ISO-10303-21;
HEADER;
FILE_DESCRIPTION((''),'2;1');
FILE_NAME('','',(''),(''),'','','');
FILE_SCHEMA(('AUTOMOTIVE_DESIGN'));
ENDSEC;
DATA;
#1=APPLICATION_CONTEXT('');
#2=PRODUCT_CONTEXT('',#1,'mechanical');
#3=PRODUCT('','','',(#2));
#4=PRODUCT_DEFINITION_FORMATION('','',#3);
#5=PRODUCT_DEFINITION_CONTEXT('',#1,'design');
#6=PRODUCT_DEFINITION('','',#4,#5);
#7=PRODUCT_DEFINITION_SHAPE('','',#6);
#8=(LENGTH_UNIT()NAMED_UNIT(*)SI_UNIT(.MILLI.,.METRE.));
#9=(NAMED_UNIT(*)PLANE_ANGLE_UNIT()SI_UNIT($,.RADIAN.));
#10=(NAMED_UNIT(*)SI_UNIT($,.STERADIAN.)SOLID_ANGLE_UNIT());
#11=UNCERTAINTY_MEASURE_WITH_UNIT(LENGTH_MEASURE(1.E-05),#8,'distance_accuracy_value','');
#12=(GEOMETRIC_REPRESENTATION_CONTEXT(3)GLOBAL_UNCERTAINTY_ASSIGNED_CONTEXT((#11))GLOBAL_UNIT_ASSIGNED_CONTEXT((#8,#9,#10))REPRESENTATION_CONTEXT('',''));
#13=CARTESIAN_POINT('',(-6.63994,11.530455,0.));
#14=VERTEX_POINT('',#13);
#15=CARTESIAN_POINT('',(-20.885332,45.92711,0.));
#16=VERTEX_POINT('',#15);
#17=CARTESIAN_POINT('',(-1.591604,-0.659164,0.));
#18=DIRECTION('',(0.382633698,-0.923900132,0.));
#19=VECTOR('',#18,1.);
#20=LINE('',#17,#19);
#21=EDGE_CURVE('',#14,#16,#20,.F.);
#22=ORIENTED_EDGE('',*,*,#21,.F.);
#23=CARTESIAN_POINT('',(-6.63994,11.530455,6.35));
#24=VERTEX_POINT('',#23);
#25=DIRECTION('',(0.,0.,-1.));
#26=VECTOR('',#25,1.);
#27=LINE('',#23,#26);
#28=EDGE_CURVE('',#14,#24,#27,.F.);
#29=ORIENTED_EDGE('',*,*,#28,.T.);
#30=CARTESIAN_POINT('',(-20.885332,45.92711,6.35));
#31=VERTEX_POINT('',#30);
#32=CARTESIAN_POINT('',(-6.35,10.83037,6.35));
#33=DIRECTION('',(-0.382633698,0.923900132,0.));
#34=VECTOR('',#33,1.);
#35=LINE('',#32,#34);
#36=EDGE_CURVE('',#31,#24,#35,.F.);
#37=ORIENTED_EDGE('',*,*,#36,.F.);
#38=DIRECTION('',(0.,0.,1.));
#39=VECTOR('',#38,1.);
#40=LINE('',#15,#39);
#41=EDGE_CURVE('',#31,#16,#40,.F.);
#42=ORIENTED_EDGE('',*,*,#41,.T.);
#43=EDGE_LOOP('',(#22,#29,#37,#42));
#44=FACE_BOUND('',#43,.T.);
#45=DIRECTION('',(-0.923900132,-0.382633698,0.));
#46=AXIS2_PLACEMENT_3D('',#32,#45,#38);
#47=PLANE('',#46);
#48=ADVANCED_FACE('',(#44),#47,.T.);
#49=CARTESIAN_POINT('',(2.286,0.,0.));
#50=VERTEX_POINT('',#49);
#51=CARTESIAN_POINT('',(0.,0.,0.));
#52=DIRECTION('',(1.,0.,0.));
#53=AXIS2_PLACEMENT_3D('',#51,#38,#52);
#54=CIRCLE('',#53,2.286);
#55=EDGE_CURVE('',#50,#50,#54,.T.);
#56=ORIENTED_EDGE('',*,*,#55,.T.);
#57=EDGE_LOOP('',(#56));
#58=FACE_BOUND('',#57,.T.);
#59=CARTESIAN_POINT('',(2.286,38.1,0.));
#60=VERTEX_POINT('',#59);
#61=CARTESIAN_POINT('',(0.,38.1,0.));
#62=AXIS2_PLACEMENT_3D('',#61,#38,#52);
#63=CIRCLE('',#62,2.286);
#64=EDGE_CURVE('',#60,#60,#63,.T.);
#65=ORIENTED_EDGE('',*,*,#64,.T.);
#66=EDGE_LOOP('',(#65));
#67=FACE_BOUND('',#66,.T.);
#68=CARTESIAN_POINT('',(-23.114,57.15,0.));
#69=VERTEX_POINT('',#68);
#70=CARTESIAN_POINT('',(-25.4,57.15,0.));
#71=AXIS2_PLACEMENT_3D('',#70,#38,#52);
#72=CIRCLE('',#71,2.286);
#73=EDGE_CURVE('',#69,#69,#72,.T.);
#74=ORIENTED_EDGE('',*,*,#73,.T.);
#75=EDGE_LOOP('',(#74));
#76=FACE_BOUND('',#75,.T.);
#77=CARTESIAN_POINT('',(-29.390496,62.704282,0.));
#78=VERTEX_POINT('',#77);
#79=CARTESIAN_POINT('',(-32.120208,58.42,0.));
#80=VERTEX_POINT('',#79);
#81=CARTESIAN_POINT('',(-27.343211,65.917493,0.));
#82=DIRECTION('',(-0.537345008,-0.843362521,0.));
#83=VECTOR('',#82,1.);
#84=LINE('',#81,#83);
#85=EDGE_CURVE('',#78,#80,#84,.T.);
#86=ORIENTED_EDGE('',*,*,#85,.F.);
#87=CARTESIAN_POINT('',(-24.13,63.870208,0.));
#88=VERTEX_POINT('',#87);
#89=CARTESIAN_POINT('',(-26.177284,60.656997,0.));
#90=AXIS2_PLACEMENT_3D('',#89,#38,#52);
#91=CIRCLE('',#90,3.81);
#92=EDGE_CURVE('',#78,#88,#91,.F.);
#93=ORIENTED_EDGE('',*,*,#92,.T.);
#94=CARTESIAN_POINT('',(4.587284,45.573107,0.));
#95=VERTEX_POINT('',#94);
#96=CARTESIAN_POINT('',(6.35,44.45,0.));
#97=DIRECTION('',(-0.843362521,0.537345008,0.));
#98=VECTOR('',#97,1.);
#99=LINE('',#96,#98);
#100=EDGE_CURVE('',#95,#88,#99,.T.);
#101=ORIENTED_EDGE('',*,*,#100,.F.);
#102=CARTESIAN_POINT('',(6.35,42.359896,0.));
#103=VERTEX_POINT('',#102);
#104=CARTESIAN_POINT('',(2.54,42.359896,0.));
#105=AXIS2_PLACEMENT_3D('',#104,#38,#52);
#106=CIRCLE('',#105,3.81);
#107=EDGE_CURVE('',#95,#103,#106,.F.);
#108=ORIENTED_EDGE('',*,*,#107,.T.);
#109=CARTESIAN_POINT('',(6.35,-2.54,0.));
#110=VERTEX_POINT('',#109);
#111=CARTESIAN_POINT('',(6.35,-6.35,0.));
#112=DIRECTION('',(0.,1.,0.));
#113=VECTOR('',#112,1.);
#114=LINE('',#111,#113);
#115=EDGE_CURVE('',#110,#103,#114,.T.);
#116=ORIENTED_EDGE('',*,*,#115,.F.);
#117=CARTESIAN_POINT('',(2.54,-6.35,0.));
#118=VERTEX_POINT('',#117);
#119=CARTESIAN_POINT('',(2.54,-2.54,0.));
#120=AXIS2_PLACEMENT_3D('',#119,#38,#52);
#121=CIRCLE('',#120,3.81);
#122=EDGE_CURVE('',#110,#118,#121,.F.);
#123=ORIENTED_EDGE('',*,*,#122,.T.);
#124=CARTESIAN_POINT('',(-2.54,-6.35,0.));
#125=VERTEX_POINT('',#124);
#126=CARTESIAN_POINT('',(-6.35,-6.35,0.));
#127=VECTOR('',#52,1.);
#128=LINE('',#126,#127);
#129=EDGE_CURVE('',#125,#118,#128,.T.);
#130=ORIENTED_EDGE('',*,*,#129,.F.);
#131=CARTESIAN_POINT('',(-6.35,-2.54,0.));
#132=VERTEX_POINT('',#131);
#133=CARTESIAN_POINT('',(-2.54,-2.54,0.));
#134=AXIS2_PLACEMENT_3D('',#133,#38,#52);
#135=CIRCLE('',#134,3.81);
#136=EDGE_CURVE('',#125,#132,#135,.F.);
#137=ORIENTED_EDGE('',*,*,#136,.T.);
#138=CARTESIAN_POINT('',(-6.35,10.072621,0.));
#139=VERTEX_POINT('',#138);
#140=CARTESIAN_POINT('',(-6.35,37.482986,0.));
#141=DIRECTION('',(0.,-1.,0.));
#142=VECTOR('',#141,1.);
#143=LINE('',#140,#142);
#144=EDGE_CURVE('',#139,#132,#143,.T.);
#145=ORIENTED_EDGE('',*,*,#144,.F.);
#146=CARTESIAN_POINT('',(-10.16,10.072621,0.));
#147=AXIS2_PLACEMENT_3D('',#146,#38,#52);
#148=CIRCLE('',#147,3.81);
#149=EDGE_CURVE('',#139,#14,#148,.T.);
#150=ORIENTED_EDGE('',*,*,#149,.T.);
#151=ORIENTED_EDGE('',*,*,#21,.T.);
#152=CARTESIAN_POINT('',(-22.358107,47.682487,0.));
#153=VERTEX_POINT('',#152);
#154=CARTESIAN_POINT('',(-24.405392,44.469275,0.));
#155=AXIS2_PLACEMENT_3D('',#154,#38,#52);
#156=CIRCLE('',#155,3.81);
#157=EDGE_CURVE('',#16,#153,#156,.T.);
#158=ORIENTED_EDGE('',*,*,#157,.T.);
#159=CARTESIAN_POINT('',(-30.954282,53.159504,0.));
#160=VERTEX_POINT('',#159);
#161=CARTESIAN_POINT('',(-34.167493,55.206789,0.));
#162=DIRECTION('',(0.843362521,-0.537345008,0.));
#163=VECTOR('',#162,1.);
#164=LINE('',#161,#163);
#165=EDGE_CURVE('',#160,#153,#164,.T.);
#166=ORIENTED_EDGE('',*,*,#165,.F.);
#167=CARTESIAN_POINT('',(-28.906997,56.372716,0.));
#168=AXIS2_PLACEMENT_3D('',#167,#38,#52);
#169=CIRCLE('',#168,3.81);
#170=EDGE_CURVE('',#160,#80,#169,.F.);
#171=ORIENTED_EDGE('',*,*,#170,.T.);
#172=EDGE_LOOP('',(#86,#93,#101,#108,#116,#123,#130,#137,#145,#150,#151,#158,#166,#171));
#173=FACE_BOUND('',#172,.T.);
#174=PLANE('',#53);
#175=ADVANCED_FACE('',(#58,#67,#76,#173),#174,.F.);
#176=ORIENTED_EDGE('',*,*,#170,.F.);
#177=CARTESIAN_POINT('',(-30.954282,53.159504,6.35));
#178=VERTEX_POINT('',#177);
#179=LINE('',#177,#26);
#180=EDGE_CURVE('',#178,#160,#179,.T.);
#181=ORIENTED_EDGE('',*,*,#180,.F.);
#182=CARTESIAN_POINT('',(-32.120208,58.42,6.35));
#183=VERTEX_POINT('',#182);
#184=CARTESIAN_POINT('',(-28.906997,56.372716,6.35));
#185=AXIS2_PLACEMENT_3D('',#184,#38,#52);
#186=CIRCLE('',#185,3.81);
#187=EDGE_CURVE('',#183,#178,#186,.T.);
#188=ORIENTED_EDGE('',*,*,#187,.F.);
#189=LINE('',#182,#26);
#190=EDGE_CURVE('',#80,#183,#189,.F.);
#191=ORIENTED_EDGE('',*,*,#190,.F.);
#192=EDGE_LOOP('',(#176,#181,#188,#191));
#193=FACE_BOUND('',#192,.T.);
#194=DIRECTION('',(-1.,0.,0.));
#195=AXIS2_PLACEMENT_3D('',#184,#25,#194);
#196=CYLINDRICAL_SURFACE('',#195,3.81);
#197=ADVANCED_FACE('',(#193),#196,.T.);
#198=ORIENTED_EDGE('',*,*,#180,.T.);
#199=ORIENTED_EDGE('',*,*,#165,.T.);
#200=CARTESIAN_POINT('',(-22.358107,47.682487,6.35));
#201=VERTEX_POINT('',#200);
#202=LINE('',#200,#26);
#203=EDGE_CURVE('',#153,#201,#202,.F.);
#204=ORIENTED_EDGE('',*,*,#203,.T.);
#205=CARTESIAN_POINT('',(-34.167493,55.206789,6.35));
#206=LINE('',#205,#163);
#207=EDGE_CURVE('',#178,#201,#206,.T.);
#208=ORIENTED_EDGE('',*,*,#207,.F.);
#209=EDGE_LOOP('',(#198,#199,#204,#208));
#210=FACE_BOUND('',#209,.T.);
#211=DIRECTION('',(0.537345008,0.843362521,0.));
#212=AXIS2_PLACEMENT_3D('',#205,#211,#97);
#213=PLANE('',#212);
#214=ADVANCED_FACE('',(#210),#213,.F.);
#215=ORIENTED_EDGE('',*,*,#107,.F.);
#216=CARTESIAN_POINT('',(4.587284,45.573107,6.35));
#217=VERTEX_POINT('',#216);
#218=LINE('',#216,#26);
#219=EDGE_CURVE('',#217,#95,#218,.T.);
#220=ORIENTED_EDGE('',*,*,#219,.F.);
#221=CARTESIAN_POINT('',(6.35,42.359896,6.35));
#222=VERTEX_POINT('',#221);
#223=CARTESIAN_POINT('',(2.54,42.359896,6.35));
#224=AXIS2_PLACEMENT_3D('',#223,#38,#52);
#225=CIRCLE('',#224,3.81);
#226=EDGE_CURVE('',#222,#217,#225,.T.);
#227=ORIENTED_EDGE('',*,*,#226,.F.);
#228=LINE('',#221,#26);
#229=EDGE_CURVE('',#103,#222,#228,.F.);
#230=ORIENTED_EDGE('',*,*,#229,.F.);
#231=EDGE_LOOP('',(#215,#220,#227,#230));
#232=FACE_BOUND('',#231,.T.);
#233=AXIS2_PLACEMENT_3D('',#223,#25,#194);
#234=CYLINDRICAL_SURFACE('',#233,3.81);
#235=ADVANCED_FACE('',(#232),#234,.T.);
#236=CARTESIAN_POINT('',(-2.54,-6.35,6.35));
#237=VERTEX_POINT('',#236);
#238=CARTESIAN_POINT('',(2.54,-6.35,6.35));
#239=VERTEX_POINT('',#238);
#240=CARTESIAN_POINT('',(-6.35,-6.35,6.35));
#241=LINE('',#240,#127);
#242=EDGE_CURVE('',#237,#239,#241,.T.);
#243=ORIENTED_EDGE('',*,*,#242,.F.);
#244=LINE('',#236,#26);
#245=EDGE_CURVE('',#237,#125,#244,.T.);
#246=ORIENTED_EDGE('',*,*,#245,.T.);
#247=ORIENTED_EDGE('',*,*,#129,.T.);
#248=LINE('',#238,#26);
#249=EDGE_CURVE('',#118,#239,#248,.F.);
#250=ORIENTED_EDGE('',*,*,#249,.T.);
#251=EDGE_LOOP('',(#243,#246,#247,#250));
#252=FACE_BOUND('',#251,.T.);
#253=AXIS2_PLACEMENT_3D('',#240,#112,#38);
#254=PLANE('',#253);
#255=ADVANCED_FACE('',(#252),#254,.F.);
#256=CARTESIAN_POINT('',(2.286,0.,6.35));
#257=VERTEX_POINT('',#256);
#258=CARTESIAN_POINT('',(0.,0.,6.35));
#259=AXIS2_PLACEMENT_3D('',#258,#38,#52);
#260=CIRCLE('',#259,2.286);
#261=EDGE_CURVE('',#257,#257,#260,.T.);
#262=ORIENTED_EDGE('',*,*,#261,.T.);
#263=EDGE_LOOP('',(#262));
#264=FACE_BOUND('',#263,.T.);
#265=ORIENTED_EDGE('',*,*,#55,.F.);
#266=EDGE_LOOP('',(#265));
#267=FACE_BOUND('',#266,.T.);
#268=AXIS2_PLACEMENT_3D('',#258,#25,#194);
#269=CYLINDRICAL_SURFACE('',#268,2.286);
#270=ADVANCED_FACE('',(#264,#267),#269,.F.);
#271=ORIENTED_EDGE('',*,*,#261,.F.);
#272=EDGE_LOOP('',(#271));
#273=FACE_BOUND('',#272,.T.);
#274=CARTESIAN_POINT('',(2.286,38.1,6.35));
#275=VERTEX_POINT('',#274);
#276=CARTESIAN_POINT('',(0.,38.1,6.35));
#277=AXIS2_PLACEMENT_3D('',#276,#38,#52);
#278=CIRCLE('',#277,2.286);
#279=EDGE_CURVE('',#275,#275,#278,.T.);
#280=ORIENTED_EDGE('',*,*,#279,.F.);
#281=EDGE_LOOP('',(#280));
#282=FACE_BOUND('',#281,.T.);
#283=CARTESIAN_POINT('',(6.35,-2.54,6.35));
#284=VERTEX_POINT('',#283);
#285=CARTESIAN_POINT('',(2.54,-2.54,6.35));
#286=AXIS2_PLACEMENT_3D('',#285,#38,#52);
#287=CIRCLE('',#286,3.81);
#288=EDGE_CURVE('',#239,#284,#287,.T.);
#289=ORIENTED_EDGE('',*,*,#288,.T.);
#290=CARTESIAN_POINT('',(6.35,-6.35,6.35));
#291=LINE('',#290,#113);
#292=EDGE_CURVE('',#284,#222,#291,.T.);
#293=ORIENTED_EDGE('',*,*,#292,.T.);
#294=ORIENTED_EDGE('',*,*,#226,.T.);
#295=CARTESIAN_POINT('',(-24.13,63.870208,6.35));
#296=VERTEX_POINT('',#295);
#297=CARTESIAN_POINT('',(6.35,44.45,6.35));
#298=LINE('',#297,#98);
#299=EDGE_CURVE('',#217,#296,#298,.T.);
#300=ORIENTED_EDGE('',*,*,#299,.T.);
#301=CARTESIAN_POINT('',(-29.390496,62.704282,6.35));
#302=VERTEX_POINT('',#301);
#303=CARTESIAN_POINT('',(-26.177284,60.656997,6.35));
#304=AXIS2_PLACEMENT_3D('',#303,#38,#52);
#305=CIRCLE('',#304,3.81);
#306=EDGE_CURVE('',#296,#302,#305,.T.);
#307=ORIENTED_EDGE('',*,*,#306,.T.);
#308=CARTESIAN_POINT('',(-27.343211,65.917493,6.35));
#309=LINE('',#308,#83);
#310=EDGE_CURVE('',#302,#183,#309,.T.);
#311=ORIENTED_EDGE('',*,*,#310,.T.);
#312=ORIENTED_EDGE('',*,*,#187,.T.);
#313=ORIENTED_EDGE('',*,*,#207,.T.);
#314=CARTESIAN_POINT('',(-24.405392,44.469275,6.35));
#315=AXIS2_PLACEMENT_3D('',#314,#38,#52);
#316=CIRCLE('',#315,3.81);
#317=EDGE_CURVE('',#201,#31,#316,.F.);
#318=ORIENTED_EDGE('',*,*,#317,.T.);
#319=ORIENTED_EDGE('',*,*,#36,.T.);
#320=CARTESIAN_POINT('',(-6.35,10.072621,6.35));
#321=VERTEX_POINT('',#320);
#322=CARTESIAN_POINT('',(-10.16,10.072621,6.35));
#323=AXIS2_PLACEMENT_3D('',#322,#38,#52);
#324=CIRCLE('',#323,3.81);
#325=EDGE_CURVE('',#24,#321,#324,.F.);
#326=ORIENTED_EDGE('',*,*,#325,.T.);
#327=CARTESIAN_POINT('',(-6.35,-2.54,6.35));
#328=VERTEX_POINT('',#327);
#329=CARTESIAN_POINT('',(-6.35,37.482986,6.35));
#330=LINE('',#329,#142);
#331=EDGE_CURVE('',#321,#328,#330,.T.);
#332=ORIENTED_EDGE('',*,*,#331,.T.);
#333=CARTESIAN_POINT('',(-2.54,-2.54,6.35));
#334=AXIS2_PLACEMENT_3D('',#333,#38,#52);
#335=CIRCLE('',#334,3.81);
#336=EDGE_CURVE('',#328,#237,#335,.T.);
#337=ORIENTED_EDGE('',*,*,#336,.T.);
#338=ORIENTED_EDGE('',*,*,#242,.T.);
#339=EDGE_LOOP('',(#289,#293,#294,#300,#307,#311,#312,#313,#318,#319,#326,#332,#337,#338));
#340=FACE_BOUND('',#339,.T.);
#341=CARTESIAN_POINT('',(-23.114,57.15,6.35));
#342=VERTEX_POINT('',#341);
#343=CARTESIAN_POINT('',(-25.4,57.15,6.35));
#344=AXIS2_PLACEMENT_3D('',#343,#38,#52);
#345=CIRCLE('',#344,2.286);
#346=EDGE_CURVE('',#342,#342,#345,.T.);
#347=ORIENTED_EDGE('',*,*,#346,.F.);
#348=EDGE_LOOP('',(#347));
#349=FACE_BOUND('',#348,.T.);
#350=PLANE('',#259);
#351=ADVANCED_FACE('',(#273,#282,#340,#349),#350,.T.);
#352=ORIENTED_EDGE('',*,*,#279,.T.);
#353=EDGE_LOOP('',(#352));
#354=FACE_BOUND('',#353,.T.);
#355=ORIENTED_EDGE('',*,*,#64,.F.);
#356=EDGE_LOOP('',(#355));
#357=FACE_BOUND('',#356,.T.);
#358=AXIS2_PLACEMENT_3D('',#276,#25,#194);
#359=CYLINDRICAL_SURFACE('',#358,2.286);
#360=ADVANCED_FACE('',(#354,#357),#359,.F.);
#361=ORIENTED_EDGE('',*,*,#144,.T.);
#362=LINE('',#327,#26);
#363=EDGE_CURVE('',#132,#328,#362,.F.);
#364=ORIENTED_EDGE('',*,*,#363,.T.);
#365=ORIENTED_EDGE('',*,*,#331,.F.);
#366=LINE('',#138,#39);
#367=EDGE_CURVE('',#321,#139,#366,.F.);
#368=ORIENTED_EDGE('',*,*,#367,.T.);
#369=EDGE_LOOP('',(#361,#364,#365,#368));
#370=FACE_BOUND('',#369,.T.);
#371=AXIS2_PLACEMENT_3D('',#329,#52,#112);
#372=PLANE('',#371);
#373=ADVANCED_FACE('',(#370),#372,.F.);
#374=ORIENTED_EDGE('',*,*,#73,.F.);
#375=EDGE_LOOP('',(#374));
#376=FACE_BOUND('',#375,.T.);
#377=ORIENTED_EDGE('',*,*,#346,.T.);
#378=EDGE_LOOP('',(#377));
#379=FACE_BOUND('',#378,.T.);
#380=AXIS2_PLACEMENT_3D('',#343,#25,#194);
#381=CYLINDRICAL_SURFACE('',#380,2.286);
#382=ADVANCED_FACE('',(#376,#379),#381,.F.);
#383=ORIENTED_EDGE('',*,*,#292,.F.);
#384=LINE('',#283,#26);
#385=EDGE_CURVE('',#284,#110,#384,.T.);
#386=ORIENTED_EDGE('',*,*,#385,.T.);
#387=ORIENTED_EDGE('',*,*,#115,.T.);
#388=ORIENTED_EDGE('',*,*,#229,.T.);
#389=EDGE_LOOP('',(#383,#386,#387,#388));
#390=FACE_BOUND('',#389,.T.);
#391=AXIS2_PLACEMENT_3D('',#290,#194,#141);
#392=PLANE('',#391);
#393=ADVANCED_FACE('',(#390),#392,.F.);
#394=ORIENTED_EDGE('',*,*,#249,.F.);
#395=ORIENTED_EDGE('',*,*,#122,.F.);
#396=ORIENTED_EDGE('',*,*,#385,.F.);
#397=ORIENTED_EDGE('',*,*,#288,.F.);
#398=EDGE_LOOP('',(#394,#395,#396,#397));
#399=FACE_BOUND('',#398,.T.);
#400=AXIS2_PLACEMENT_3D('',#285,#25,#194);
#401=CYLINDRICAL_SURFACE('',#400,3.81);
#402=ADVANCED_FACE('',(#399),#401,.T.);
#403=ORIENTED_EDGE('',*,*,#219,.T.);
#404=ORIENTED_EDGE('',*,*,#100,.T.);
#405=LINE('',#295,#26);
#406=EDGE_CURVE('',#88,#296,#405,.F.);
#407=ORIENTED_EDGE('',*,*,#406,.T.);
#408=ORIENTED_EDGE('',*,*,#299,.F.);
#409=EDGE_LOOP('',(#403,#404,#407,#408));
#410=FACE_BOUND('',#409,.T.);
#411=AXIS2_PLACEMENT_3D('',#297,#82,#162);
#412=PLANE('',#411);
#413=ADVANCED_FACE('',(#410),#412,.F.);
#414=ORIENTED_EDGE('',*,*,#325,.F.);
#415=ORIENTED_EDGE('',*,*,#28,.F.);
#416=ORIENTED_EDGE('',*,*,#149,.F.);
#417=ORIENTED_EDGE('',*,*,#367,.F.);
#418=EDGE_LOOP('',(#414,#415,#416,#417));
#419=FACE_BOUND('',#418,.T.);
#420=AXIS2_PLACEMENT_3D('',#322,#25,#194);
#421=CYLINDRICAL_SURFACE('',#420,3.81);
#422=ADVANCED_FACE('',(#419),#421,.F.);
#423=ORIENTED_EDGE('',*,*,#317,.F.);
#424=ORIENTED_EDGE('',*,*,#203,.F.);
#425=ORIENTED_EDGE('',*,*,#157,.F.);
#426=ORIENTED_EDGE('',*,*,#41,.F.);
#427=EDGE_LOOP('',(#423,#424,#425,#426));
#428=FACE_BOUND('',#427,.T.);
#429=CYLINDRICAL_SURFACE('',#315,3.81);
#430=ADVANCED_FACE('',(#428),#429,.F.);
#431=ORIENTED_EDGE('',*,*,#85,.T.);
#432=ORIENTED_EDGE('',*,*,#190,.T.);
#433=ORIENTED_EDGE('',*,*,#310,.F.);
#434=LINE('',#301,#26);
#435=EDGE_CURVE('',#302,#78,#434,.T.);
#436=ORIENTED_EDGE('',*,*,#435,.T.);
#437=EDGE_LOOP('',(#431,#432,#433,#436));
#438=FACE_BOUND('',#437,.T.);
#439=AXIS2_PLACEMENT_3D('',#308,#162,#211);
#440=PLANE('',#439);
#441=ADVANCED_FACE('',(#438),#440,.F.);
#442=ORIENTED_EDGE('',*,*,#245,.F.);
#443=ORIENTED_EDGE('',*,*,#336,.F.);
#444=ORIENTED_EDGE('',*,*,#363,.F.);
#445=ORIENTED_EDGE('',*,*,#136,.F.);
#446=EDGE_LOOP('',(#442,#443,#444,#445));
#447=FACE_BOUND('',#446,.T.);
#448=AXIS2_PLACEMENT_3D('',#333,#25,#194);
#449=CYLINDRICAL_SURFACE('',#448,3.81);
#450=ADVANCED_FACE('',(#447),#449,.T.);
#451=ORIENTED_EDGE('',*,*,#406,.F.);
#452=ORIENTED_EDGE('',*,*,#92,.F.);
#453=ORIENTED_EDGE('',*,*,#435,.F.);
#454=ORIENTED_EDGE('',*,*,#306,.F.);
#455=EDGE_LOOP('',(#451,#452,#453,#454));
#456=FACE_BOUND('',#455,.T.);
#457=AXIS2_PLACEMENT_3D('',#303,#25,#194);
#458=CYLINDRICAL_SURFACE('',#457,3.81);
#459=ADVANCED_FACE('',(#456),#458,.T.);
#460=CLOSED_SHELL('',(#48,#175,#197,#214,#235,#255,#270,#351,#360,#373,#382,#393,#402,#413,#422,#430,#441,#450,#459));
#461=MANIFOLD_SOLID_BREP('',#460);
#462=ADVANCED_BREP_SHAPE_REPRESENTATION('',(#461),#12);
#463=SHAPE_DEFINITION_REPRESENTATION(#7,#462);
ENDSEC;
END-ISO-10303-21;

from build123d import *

# Parameters (mm, degrees)
SKETCH1_R           = 2.286
BOSS_EXTRUDE1_DEPTH = 6.35
CHAMFER1_SIZE       = 17.78
CHAMFER1_SIZE2      = 26.652616032
FILLET1_R           = 3.81


with BuildPart() as part:
    # Sketch1 → Boss-Extrude1 (new body)
    with BuildSketch(Plane.XY):
        Polygon((-34.167492812, 55.206788795), (-6.35, 37.482986116), (-6.35, -6.35), (6.35, -6.35), (6.35, 44.45), (-27.343211205, 65.917492812), align=None)
        Circle(SKETCH1_R, mode=Mode.SUBTRACT)
        with Locations((0, 38.1)):
            Circle(SKETCH1_R, mode=Mode.SUBTRACT)
        with Locations((-25.4, 57.15)):
            Circle(SKETCH1_R, mode=Mode.SUBTRACT)
    extrude(amount=BOSS_EXTRUDE1_DEPTH)

    # Chamfer1
    chamfer1_edges = [part.edges().sort_by_distance(p)[0] for p in [
        (-6.35, 37.482986116, 3.175),
    ]]
    chamfer1_side = [part.faces().sort_by_distance(p)[0] for p in [
        (-20.258746406, 46.344887456, 3.175),
    ]]
    chamfer(chamfer1_edges, length=CHAMFER1_SIZE, length2=CHAMFER1_SIZE2, reference=chamfer1_side[0])

    # Fillet1
    fillet1_edges = [part.edges().sort_by_distance(p)[0] for p in [
        (-27.343211205, 65.917492812, 3.175),
        (6.35, 44.45, 3.175),
        (6.35, -6.35, 3.175),
        (-6.35, -6.35, 3.175),
        (-34.167492812, 55.206788795, 3.175),
        (-6.35, 10.830370085, 3.175),
        (-21.344985624, 47.036980366, 3.175),
    ]]
    fillet(fillet1_edges, radius=FILLET1_R)


solid = part.part
